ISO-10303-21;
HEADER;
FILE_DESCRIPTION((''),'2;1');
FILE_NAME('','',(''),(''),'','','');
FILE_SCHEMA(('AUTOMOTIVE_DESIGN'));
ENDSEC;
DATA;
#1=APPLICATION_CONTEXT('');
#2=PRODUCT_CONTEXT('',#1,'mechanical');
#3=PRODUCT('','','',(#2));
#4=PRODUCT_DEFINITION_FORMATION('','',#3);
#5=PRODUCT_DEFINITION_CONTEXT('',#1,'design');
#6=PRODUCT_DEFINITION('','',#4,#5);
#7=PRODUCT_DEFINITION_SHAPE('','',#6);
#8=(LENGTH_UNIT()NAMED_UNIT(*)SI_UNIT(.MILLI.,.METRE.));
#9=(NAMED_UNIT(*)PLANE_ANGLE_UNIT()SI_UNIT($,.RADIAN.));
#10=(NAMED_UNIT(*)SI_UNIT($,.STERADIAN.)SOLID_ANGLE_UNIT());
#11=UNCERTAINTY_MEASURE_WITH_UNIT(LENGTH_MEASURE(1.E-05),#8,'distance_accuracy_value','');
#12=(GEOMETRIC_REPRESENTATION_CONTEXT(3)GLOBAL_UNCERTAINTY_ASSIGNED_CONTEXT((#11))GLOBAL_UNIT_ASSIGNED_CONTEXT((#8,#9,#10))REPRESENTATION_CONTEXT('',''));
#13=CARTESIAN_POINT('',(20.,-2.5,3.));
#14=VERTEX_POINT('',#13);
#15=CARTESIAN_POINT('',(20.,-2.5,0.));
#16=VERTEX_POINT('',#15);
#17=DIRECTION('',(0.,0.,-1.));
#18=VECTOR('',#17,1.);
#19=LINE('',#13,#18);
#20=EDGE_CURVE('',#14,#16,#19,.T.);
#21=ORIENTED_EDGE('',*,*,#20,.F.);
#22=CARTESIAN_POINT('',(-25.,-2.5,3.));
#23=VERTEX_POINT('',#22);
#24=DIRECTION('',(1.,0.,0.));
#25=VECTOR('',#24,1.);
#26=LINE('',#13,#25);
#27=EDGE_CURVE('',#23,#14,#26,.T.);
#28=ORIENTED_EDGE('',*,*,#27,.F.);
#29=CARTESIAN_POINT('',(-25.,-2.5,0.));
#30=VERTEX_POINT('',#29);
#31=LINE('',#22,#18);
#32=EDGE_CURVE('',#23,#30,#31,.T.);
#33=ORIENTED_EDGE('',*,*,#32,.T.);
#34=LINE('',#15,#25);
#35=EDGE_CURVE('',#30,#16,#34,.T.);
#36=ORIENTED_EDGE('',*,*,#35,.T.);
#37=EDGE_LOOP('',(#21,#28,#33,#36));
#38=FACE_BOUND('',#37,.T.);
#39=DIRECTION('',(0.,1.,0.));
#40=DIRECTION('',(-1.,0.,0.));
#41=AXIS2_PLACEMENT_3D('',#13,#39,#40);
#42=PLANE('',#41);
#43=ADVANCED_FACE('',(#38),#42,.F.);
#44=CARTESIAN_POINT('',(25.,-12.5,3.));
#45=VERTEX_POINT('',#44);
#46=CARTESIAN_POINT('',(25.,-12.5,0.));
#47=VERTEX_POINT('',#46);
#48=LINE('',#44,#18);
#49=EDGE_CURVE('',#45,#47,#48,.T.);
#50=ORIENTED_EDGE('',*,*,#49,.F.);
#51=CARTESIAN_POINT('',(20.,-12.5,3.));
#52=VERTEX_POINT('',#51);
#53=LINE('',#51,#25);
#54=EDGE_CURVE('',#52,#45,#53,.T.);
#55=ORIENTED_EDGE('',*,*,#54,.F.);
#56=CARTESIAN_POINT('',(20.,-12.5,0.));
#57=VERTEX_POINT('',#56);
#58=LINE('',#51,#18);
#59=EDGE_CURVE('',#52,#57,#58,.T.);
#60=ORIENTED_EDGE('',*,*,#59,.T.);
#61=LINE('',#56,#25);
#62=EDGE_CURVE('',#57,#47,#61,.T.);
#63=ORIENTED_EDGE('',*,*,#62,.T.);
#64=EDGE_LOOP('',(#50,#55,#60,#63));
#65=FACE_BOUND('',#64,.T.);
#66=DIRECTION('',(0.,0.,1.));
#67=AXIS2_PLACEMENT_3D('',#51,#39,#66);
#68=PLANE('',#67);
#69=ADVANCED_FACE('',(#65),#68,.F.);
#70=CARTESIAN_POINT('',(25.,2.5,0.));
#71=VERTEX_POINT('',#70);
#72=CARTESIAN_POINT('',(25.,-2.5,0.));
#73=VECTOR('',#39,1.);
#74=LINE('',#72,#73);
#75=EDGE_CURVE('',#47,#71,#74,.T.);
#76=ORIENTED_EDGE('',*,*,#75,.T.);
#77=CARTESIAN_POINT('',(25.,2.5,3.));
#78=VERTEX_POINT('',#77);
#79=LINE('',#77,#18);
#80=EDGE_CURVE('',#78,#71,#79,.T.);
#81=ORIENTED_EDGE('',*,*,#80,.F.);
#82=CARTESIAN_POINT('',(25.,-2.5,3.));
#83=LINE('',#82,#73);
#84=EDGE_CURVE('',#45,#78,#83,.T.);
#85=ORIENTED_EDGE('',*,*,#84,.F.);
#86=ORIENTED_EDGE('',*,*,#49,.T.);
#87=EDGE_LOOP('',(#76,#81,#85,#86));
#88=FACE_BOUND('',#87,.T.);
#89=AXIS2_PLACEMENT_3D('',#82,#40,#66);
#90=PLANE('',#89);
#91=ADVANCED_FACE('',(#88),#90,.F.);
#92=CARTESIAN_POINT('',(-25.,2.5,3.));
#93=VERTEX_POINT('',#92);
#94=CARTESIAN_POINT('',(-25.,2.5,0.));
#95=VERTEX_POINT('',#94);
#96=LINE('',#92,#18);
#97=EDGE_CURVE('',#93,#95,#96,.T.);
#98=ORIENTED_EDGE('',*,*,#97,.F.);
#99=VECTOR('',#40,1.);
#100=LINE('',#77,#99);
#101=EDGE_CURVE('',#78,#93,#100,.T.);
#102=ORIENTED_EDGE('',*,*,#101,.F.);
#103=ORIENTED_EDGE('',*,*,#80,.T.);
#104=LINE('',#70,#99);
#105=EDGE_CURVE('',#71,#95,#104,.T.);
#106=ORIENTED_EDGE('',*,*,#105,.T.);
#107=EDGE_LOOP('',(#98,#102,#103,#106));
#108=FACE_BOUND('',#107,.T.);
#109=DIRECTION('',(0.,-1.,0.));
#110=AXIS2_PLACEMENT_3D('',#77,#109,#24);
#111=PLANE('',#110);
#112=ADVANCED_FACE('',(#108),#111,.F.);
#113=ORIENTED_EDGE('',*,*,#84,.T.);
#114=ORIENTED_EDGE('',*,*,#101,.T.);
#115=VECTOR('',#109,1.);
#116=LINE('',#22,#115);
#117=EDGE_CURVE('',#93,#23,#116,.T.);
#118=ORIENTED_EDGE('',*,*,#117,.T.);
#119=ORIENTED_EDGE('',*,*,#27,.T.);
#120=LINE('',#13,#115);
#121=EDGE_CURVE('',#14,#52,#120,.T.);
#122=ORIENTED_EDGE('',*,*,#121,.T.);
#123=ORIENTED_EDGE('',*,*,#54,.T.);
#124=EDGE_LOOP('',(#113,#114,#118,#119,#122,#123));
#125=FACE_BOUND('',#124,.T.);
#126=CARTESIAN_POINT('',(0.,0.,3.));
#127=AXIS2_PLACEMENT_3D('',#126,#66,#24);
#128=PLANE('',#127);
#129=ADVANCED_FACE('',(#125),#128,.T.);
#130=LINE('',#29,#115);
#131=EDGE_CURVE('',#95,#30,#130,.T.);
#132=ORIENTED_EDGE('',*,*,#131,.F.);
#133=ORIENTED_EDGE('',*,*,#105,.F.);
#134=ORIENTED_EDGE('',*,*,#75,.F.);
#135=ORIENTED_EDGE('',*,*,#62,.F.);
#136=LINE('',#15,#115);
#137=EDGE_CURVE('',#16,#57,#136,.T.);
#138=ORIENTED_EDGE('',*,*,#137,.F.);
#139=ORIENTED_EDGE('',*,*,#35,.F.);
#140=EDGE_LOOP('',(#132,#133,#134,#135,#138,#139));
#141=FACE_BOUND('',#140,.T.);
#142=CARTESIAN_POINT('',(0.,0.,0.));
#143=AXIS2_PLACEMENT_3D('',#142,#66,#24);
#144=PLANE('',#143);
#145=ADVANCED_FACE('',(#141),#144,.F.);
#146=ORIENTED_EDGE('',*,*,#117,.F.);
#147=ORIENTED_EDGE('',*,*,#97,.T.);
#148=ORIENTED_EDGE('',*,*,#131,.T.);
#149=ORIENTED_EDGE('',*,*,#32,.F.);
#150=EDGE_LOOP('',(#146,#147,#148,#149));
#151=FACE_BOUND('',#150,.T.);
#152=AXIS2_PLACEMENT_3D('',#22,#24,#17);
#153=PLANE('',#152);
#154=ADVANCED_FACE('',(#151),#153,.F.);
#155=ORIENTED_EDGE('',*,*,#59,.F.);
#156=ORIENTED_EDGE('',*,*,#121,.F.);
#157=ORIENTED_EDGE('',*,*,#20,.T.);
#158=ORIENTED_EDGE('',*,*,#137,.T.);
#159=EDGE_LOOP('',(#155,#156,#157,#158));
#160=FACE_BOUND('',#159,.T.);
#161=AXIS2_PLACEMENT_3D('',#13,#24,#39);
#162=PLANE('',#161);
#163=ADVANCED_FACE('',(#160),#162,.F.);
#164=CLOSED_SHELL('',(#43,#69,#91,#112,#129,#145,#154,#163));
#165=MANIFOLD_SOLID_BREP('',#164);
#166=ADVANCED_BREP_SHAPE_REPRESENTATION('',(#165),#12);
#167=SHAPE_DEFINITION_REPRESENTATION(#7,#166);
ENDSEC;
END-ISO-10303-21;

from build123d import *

# Parameters (mm, degrees)
BOSS_EXTRUDE1_DEPTH = 3


with BuildPart() as part:
    # Sketch1 → Boss-Extrude1 (new body)
    with BuildSketch(Plane.XY):
        Polygon((20, -2.5), (-25, -2.5), (-25, 2.5), (25, 2.5), (25, -2.5), (25, -12.5), (20, -12.5), align=None)
    extrude(amount=BOSS_EXTRUDE1_DEPTH)


solid = part.part
